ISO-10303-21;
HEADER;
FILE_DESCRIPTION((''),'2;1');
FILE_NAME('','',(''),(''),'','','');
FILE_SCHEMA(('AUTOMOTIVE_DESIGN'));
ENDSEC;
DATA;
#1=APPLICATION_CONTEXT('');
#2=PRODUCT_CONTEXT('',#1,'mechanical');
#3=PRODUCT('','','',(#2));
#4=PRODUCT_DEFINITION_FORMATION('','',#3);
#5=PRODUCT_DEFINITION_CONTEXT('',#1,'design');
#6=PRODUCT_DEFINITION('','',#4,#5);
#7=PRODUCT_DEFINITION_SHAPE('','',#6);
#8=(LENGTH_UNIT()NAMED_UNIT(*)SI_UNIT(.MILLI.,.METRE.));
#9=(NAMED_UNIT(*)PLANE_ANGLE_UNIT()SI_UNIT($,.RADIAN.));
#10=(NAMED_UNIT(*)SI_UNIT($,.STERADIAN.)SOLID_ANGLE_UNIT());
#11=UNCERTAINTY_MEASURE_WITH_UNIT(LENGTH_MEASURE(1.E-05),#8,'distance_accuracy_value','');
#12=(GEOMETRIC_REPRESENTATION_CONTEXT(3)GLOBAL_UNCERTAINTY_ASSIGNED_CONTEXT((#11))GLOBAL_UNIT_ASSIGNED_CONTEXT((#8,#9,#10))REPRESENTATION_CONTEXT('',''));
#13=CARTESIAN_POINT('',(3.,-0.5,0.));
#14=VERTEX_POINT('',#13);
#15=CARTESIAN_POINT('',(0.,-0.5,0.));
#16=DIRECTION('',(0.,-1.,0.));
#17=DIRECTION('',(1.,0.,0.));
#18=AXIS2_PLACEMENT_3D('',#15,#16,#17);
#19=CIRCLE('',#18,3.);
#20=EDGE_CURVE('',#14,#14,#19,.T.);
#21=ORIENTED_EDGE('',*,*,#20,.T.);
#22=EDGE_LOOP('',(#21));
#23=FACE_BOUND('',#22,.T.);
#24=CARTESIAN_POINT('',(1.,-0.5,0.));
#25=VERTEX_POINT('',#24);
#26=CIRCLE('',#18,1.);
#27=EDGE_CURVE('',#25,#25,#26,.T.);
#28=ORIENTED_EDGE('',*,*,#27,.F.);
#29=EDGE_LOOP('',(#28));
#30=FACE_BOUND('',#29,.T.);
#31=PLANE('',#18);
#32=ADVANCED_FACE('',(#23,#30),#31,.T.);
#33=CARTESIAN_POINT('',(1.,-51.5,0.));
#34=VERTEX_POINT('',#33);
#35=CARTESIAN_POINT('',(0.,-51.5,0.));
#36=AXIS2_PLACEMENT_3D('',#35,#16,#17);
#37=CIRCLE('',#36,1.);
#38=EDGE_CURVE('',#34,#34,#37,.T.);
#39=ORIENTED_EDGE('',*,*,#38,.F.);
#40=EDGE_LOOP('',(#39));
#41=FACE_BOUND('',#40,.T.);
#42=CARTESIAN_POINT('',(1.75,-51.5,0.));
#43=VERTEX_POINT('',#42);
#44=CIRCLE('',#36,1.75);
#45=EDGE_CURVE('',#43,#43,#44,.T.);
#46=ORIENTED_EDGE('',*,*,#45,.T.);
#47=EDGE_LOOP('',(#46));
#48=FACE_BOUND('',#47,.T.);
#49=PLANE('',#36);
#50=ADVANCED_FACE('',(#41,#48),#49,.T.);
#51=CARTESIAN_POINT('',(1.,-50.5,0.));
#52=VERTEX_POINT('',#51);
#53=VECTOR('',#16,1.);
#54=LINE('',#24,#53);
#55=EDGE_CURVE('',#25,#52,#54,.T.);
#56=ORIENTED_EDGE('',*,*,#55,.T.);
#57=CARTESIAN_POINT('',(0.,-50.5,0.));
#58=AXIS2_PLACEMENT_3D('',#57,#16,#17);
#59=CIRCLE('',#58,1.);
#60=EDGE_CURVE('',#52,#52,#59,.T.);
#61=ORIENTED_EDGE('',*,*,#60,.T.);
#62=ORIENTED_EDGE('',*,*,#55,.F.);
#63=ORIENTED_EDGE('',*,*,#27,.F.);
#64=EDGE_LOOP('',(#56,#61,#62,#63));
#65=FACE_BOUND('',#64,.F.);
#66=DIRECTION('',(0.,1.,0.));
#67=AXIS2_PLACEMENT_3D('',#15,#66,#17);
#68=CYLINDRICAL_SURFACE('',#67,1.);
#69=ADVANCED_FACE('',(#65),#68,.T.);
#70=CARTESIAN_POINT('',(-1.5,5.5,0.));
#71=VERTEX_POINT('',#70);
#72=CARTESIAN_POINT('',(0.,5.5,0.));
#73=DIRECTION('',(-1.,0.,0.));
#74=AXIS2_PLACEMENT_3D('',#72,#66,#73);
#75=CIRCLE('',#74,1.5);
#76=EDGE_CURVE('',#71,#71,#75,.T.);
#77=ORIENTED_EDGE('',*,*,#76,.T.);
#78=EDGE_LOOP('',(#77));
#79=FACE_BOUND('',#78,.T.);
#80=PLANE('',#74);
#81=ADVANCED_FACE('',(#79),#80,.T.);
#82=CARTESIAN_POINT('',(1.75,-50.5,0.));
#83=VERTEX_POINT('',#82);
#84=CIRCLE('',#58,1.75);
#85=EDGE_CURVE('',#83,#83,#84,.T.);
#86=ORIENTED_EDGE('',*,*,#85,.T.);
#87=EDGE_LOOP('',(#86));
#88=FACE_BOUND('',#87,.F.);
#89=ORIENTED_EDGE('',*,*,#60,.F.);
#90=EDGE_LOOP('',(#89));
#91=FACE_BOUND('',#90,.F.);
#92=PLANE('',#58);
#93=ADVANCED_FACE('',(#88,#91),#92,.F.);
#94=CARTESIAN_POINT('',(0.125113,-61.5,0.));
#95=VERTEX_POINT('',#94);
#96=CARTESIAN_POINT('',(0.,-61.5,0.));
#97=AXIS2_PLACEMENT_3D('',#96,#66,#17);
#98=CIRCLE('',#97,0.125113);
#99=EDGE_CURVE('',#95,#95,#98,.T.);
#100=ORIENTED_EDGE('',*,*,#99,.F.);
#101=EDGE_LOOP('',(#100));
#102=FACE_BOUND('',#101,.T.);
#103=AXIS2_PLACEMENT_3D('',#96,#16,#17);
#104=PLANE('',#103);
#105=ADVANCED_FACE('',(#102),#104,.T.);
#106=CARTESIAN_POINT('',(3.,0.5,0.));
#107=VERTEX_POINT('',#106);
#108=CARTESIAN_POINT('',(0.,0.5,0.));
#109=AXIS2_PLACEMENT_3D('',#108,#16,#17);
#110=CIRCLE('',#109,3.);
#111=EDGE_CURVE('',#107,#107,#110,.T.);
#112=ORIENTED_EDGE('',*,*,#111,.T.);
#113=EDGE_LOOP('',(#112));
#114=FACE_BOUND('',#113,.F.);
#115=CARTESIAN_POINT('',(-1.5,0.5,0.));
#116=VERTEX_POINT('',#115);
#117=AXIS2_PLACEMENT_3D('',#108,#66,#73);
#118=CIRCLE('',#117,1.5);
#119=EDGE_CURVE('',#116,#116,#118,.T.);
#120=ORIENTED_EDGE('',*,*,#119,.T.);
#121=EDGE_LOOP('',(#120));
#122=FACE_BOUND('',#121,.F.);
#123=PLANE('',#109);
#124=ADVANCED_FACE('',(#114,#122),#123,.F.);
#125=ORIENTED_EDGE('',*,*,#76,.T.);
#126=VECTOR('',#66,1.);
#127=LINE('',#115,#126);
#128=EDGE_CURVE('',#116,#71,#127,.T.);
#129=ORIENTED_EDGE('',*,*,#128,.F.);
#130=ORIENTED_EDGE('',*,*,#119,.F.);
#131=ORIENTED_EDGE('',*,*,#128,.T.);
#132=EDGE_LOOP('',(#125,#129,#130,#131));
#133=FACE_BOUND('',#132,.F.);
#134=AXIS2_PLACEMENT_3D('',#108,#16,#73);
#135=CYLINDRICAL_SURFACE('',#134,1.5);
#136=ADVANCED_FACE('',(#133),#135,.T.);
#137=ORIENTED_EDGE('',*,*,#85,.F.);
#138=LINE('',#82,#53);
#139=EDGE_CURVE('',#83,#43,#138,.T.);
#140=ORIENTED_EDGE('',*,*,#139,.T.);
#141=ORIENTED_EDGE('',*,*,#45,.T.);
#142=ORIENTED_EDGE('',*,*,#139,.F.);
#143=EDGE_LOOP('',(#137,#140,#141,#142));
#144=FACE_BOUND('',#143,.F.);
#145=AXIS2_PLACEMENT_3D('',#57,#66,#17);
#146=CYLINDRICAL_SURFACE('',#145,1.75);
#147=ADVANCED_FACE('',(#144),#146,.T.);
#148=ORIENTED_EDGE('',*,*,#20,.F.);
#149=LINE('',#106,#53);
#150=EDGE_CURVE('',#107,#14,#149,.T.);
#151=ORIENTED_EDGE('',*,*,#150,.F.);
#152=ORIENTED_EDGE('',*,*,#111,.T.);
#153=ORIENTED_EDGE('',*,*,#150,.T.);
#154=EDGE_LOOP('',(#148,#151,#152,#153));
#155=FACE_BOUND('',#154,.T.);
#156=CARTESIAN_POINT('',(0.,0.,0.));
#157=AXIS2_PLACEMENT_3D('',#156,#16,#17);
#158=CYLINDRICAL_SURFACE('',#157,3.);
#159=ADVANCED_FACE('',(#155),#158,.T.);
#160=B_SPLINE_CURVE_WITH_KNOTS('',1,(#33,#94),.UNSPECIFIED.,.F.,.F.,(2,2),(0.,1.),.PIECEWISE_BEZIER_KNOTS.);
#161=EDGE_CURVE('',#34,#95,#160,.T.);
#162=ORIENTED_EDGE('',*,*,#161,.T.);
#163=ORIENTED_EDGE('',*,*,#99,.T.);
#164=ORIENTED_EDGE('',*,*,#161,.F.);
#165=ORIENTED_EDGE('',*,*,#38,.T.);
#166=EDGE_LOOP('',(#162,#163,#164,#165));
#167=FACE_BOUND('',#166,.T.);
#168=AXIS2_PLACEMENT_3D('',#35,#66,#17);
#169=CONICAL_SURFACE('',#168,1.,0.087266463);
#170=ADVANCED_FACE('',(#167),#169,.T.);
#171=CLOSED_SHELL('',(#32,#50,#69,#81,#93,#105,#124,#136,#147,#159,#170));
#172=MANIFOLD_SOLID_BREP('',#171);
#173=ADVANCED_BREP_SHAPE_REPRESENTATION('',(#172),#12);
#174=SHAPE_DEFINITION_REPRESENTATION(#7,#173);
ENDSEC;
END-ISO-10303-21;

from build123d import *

# Parameters (mm, degrees)
F0_R     = 3
F1_DEPTH = 0.5
F2_R     = 1
F3_DEPTH = 50
F4_R     = 1.5
F5_DEPTH = 5
F6_R     = 1.75
F6_R_2   = 1
F7_DEPTH = 1
F8_R     = 1
F9_DEPTH = 10
F9_TAPER = 5


with BuildPart() as f1:
    # F0 (on Front) → F1 (new body, symmetric)
    with BuildSketch(Plane.XZ):
        Circle(F0_R)
    extrude(amount=F1_DEPTH, both=True)

    # F2 (on face) → F3 (join)
    with BuildSketch(Plane.XZ.offset(0.5)):
        Circle(F2_R)
    extrude(amount=F3_DEPTH)

    # F4 (on face) → F5 (join)
    with BuildSketch(Plane(origin=(0, 0.5, 0), x_dir=(-1, 0, 0), z_dir=(0, 1, 0))):
        Circle(F4_R)
    extrude(amount=F5_DEPTH)

    # F6 (on face) → F7 (join)
    with BuildSketch(Plane.XZ.offset(50.5)):
        Circle(F6_R)
        Circle(F6_R_2, mode=Mode.SUBTRACT)
        Circle(F6_R_2)
    extrude(amount=F7_DEPTH)

    # F8 (on face) → F9 (join)
    with BuildSketch(Plane.XZ.offset(51.5)):
        Circle(F8_R)
    extrude(amount=F9_DEPTH, taper=F9_TAPER)


solid = f1.part
